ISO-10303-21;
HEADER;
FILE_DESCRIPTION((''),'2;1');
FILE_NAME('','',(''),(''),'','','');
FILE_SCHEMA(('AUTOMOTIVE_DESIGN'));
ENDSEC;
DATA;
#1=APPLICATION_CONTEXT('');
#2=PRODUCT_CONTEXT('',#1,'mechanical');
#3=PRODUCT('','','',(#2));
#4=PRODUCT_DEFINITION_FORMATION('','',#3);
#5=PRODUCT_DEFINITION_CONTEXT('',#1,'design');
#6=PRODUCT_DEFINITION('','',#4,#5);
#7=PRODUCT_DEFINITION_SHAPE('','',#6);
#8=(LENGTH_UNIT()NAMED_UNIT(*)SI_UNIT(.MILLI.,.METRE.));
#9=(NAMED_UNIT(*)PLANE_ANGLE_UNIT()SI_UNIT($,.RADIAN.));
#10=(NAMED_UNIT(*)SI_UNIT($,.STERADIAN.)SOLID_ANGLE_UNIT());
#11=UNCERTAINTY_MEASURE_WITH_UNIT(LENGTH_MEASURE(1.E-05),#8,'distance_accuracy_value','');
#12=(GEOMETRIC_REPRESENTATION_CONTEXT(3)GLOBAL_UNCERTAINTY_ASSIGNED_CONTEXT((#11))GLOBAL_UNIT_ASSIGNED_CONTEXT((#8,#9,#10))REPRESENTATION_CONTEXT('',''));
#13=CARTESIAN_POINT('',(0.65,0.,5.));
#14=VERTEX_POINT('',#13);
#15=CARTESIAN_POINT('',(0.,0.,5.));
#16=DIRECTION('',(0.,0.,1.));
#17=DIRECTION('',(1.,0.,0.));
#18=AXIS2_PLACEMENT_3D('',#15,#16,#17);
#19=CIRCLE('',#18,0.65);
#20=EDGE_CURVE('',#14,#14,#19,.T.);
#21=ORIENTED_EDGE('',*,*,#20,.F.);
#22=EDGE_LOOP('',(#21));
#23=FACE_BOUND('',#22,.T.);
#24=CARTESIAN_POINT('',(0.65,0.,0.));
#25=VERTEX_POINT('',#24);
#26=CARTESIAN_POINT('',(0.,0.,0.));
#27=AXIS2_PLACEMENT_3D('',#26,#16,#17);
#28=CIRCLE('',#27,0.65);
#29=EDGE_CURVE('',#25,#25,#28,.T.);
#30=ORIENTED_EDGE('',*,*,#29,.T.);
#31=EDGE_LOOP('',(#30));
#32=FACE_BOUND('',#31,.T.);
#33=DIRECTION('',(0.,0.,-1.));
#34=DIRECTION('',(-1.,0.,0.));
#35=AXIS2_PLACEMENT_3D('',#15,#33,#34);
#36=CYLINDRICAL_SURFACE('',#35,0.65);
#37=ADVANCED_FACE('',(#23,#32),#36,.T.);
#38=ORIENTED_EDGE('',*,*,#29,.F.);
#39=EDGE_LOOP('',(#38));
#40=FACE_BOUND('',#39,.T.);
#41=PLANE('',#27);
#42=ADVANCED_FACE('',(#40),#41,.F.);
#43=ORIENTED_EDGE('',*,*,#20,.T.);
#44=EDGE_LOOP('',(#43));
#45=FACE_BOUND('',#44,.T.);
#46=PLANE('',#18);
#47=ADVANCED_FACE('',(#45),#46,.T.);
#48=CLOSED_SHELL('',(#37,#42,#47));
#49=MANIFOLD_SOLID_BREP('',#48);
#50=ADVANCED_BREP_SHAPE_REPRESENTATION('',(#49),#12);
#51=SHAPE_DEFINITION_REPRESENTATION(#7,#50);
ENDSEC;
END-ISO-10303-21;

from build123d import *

# Parameters (mm, degrees)
SKETCH1_R      = 0.65
EXTRUDE1_DEPTH = 5


with BuildPart() as part:
    # Sketch1 → Extrude1 (new body)
    with BuildSketch(Plane.XY):
        Circle(SKETCH1_R)
    extrude(amount=EXTRUDE1_DEPTH)


solid = part.part
